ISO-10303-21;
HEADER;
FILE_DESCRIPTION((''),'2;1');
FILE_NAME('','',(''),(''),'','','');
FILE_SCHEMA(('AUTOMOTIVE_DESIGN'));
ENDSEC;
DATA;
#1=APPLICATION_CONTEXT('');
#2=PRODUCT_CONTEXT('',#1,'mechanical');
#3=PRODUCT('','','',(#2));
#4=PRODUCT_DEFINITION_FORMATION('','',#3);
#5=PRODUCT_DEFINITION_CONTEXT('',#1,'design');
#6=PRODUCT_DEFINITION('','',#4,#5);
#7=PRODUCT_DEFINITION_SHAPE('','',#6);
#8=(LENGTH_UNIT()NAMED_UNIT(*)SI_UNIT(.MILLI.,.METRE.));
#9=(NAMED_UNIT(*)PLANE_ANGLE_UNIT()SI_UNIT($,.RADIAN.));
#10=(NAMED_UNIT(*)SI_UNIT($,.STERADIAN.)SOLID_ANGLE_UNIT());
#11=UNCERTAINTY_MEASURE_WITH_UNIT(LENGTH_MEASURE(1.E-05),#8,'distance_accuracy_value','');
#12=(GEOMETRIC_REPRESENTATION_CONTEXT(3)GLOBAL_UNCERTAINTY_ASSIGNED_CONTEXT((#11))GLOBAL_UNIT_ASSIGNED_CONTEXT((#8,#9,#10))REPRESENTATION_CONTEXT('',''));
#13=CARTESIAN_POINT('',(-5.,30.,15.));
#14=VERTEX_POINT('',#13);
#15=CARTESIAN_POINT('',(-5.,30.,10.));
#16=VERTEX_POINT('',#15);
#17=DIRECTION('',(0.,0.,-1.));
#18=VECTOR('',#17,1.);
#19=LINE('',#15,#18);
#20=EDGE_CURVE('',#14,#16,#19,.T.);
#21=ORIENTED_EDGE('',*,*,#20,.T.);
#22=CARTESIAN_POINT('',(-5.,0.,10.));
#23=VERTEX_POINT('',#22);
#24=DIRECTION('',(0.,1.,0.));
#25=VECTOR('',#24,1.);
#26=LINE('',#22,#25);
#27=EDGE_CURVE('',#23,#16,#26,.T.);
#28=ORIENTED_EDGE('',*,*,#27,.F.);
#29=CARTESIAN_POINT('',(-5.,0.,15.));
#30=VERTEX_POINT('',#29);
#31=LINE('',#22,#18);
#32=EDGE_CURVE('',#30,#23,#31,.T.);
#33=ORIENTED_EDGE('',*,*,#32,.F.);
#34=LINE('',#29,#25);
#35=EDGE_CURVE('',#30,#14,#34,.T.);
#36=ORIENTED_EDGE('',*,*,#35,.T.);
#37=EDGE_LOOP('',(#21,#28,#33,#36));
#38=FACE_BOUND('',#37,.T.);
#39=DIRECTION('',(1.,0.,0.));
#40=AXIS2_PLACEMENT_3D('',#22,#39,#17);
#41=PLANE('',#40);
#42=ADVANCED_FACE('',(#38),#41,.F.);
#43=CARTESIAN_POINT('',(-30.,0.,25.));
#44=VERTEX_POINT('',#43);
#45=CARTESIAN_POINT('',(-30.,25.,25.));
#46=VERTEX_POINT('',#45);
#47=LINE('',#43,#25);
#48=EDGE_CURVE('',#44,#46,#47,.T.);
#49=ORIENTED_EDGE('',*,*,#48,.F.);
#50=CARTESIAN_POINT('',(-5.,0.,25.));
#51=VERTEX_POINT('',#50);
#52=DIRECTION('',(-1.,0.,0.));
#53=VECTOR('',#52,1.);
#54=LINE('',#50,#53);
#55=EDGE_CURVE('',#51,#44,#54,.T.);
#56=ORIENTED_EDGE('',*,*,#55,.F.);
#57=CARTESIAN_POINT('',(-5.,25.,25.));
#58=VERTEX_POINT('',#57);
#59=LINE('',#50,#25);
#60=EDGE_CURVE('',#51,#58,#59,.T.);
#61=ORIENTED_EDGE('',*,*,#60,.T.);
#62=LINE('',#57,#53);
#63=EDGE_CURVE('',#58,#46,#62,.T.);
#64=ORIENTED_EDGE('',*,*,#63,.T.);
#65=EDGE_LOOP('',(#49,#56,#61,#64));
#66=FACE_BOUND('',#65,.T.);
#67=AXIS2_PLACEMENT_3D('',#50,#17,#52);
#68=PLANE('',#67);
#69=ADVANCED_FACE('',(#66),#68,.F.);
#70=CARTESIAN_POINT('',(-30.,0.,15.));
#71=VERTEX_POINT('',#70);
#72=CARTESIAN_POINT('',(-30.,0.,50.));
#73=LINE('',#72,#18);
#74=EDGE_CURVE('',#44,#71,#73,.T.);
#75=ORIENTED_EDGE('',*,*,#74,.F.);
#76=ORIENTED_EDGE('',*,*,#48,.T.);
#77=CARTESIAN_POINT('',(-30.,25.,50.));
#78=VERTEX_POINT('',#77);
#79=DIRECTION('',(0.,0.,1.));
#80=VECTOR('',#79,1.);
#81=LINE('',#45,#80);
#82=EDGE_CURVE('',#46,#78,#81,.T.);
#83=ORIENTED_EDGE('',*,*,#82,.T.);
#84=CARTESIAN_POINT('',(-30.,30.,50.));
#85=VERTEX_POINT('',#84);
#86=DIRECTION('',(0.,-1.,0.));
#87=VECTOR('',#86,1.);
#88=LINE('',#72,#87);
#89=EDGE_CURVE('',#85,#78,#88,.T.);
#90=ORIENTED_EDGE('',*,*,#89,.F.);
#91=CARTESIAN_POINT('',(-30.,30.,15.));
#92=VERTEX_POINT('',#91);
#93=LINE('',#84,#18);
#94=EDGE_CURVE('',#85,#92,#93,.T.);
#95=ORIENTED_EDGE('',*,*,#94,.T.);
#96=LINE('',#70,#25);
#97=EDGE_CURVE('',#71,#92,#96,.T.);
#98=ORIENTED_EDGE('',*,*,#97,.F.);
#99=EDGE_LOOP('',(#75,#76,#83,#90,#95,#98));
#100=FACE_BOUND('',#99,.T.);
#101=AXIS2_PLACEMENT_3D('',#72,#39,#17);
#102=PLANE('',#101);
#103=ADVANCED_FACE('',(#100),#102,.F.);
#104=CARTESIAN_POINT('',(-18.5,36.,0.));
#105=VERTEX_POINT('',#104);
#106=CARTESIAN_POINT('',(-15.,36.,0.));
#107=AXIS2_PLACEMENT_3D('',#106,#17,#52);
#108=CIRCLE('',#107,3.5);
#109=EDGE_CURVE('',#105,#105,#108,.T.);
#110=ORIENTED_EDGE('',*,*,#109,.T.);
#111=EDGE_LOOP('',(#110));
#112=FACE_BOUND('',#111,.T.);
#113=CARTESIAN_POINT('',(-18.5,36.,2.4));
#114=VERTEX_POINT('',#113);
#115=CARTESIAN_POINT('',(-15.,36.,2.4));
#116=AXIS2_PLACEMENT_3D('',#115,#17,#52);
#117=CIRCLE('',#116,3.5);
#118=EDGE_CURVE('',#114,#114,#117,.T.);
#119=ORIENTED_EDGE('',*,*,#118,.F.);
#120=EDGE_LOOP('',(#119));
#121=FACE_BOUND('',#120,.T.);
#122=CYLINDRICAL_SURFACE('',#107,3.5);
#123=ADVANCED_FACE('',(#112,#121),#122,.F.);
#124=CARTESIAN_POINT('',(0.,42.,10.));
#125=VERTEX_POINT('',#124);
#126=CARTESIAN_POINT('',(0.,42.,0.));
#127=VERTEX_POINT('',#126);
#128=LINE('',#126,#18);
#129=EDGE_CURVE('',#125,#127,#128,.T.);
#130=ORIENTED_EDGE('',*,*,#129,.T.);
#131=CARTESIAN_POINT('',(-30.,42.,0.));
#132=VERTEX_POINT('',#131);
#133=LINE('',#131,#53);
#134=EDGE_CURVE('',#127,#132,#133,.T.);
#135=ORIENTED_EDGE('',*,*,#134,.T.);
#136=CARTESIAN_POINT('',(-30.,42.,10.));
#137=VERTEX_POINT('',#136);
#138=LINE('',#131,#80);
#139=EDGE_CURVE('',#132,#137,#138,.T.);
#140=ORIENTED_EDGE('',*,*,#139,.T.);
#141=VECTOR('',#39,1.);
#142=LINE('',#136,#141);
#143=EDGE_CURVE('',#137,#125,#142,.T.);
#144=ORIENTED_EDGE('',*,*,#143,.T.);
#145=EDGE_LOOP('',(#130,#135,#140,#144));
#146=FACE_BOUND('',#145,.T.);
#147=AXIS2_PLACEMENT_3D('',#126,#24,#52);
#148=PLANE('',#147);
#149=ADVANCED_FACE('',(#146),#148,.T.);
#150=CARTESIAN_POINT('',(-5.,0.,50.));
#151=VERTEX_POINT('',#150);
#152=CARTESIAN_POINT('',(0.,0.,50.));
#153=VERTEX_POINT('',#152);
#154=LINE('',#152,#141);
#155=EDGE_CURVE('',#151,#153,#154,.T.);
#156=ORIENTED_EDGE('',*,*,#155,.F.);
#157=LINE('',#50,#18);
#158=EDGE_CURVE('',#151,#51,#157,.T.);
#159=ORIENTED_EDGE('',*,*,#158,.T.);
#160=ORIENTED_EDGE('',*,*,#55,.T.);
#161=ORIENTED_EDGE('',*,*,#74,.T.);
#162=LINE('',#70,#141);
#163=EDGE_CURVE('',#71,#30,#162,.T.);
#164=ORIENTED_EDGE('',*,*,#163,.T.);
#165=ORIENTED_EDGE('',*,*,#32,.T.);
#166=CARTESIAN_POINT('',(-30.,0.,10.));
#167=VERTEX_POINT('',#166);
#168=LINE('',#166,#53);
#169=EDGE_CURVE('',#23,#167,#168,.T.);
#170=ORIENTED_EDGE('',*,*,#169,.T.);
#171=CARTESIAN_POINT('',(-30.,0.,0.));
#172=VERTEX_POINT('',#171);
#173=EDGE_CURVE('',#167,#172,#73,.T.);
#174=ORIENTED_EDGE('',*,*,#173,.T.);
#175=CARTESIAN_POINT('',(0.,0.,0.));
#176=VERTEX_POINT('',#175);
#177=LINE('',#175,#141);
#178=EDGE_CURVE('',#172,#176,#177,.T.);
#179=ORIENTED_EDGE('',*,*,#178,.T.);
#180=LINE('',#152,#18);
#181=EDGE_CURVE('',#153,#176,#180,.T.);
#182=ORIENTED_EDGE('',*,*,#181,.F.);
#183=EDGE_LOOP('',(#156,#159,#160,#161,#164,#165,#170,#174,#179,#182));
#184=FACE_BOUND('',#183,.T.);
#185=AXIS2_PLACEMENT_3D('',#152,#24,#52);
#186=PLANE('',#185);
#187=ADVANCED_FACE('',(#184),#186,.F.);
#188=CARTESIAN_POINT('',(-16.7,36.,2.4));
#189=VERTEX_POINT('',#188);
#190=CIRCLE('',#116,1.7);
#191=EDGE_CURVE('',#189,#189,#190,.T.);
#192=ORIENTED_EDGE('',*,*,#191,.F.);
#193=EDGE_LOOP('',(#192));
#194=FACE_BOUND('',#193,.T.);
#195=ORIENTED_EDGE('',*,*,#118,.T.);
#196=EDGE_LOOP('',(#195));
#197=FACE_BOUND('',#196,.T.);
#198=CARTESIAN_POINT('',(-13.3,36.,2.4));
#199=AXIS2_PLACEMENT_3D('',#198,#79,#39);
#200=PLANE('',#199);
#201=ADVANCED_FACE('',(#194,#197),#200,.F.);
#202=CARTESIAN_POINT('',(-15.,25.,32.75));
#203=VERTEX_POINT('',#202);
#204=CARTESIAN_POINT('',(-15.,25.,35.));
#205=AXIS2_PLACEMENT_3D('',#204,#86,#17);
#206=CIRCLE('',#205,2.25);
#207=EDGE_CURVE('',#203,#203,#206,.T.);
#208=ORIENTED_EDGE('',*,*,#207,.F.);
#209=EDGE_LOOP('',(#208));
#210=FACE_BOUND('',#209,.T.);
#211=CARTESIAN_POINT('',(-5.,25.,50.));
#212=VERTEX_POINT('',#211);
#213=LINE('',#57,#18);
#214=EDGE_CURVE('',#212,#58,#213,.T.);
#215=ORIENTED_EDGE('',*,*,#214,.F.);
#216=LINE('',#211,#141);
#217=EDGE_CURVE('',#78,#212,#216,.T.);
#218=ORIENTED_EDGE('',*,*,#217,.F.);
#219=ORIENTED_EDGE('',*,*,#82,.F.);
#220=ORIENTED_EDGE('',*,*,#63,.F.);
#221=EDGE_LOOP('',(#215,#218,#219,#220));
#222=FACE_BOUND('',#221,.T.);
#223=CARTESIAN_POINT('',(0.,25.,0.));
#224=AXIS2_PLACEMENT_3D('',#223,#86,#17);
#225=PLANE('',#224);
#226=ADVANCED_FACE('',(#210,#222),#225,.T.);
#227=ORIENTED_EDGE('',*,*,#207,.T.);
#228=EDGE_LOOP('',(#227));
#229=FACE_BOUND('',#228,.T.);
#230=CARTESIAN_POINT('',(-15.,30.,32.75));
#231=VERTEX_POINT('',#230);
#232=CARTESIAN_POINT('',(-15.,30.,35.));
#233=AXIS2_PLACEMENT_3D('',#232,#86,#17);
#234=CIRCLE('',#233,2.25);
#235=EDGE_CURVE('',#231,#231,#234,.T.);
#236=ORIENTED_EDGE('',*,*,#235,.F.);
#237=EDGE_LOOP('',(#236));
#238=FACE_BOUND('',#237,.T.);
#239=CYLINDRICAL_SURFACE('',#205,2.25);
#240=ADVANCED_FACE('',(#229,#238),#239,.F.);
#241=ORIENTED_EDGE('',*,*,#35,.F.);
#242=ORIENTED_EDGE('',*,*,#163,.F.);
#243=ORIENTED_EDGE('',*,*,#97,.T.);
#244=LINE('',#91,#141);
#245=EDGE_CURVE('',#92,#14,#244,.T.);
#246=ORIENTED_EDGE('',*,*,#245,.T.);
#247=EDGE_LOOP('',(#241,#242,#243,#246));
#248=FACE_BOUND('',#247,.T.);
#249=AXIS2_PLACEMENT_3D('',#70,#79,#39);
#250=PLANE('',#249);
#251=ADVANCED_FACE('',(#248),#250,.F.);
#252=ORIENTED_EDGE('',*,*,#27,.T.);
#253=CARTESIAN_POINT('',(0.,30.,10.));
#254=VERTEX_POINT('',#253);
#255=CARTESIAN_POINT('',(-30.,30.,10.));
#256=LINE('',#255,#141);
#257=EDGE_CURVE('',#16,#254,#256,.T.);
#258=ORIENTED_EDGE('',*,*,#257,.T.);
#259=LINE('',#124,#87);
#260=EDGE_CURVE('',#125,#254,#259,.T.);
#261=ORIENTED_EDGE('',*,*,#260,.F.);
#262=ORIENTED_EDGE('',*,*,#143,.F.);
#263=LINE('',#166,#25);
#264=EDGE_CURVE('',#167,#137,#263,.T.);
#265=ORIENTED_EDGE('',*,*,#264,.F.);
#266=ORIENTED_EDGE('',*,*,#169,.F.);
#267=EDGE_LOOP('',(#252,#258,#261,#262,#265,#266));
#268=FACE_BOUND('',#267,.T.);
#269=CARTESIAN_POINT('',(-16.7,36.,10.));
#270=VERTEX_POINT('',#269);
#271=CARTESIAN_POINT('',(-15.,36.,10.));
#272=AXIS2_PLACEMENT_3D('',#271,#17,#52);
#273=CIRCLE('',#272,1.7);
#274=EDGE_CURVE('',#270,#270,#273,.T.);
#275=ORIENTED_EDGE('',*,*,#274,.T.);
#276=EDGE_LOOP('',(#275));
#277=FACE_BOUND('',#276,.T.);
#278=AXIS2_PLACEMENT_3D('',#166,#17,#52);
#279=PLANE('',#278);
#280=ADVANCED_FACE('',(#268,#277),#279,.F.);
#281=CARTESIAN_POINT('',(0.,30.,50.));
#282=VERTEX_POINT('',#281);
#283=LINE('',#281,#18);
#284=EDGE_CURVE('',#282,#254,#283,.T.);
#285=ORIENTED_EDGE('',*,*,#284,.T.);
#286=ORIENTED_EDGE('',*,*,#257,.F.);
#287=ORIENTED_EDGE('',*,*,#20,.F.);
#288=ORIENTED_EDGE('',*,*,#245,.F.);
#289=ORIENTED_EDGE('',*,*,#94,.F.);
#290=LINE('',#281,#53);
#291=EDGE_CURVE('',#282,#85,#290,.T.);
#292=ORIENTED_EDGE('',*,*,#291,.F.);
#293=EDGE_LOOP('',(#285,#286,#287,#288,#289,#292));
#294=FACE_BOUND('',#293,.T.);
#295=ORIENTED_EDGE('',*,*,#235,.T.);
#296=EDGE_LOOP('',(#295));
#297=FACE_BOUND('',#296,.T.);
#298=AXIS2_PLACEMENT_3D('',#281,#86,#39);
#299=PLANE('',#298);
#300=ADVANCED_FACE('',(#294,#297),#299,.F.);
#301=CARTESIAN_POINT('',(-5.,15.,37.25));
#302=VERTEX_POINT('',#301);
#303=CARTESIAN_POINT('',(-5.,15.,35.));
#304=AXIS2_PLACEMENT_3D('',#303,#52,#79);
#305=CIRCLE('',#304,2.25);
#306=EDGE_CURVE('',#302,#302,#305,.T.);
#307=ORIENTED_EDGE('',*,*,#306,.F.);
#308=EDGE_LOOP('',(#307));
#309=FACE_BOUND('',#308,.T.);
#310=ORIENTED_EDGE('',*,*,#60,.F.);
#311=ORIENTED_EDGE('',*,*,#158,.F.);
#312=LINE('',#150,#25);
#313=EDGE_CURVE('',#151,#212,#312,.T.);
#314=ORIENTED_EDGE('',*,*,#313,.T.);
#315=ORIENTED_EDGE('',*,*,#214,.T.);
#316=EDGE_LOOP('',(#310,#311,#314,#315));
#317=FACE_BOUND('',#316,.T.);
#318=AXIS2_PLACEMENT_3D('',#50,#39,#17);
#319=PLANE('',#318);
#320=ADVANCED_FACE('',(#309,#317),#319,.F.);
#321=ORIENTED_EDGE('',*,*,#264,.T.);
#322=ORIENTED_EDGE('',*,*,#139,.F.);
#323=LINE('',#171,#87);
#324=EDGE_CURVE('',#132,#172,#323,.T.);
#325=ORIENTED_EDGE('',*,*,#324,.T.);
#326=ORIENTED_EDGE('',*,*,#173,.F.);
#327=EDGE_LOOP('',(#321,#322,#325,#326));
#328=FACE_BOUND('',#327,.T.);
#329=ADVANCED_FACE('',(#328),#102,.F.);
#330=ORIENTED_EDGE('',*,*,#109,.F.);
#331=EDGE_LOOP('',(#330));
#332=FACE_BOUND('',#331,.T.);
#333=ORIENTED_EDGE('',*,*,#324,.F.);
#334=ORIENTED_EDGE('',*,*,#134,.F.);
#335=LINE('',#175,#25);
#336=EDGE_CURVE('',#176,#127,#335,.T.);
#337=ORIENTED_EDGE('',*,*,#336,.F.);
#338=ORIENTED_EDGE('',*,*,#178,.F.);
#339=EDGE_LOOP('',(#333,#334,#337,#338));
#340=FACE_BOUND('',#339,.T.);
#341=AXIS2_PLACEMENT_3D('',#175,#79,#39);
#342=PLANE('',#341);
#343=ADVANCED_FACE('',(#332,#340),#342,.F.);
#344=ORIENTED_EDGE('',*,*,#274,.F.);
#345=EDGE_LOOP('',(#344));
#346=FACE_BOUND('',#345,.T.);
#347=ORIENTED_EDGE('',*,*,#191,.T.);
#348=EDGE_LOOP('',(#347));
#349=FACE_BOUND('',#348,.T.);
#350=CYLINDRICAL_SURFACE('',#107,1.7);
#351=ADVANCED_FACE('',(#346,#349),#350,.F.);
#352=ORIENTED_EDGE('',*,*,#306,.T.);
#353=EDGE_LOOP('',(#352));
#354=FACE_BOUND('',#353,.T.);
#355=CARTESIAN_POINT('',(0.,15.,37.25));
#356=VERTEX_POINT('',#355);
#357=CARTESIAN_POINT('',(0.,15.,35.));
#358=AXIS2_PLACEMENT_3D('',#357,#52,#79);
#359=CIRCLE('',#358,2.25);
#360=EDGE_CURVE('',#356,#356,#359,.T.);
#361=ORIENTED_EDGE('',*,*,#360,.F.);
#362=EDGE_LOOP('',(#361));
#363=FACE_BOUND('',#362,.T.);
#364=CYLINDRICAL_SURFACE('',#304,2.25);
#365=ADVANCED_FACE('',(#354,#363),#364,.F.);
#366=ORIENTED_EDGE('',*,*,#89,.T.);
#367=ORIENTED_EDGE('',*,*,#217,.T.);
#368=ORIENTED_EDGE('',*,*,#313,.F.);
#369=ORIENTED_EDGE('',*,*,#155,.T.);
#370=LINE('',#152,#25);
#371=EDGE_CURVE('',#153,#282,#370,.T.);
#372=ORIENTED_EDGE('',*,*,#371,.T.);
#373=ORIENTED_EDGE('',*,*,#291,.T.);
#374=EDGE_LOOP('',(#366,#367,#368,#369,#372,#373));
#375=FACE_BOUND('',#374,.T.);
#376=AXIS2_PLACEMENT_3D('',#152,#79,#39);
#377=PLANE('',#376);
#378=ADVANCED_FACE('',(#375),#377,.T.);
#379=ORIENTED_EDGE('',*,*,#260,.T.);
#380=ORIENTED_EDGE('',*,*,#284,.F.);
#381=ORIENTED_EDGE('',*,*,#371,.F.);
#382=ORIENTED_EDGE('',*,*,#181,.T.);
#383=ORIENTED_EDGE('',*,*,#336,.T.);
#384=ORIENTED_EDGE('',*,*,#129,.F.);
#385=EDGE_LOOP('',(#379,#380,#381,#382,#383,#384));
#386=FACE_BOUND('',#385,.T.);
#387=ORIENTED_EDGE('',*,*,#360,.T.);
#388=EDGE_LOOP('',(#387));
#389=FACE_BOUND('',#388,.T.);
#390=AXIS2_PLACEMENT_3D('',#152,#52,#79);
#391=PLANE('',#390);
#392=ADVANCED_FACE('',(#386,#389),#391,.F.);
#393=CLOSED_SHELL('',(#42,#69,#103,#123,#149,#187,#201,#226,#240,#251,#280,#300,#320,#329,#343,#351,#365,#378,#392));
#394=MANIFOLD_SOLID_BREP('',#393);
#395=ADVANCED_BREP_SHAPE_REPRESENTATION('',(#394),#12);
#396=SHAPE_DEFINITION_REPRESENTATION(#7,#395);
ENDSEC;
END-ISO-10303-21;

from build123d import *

# Parameters (mm, degrees)
ESBO_O1_W                                           = 30
ESBO_O1_H                                           = 30
RESSALTO_EXTRUS_O1_DEPTH                            = 50
ESBO_O2_W                                           = 25
ESBO_O2_H                                           = 5
CORTE_EXTRUS_O1_DEPTH                               = 31
CORTE_EXTRUS_O2_START                               = -5
ESBO_O3_W                                           = 25
ESBO_O3_H                                           = 25
CORTE_EXTRUS_O2_DEPTH                               = 26
FURO_COM_FOLGA_DE_M41_D                             = 4.5
FURO_COM_FOLGA_DE_M41_ON_FACE_2_D                   = 4.5
ESBO_O5_W                                           = 30
ESBO_O5_H                                           = 10
RESSALTO_EXTRUS_O2_DEPTH                            = 12
REBAIXO_PARA_PARAFUSO_COM_CABE_A_PANELA_D           = 3.4
REBAIXO_PARA_PARAFUSO_COM_CABE_A_PANELA_CBORE_D     = 7
REBAIXO_PARA_PARAFUSO_COM_CABE_A_PANELA_CBORE_DEPTH = 2.4


with BuildPart() as part:
    # Esboço1 → Ressalto-extrusão1 (new body)
    with BuildSketch(Plane.XY):
        with Locations((-15, 15)):
            Rectangle(ESBO_O1_W, ESBO_O1_H)
    extrude(amount=RESSALTO_EXTRUS_O1_DEPTH)

    # Esboço2 → Corte-extrusão1 (cut, through all)
    with BuildSketch(Plane(origin=(0, 30, 0), x_dir=(1, 0, 0), z_dir=(0, 1, 0))):
        with Locations((-17.5, -12.5)):
            Rectangle(ESBO_O2_W, ESBO_O2_H)
    extrude(amount=-CORTE_EXTRUS_O1_DEPTH, mode=Mode.SUBTRACT)

    # Esboço3 → Corte-extrusão2 (cut, through all)
    with BuildSketch(Plane(origin=(0, 30, 0), x_dir=(1, 0, 0), z_dir=(0, 1, 0)).offset(CORTE_EXTRUS_O2_START)):
        with Locations((-17.5, -37.5)):
            Rectangle(ESBO_O3_W, ESBO_O3_H)
    extrude(amount=-CORTE_EXTRUS_O2_DEPTH, mode=Mode.SUBTRACT)

    # Furo com folga de M41 (through all)
    with Locations(Plane(origin=(-5, 15, 35), x_dir=(0, 0, -1), z_dir=(-1, 0, 0))):
        with Locations((0, 0)):
            Hole(FURO_COM_FOLGA_DE_M41_D / 2)

    # Furo com folga de M41 on face 2 (through all)
    with Locations(Plane(origin=(-15, 25, 35), x_dir=(0, 0, -1), z_dir=(0, -1, 0))):
        with Locations((0, 0)):
            Hole(FURO_COM_FOLGA_DE_M41_ON_FACE_2_D / 2)

    # Esboço5 → Ressalto-extrusão2 (add)
    with BuildSketch(Plane(origin=(0, 30, 0), x_dir=(1, 0, 0), z_dir=(0, 1, 0))):
        with Locations((-15, -5)):
            Rectangle(ESBO_O5_W, ESBO_O5_H)
    extrude(amount=RESSALTO_EXTRUS_O2_DEPTH)

    # Rebaixo para parafuso com cabeça panela de M31 (through all)
    with Locations(Plane(origin=(0, 0, 0), x_dir=(-1, 0, 0), z_dir=(0, 0, -1))):
        with Locations((15, 36)):
            CounterBoreHole(REBAIXO_PARA_PARAFUSO_COM_CABE_A_PANELA_D / 2, REBAIXO_PARA_PARAFUSO_COM_CABE_A_PANELA_CBORE_D / 2, REBAIXO_PARA_PARAFUSO_COM_CABE_A_PANELA_CBORE_DEPTH)


solid = part.part
